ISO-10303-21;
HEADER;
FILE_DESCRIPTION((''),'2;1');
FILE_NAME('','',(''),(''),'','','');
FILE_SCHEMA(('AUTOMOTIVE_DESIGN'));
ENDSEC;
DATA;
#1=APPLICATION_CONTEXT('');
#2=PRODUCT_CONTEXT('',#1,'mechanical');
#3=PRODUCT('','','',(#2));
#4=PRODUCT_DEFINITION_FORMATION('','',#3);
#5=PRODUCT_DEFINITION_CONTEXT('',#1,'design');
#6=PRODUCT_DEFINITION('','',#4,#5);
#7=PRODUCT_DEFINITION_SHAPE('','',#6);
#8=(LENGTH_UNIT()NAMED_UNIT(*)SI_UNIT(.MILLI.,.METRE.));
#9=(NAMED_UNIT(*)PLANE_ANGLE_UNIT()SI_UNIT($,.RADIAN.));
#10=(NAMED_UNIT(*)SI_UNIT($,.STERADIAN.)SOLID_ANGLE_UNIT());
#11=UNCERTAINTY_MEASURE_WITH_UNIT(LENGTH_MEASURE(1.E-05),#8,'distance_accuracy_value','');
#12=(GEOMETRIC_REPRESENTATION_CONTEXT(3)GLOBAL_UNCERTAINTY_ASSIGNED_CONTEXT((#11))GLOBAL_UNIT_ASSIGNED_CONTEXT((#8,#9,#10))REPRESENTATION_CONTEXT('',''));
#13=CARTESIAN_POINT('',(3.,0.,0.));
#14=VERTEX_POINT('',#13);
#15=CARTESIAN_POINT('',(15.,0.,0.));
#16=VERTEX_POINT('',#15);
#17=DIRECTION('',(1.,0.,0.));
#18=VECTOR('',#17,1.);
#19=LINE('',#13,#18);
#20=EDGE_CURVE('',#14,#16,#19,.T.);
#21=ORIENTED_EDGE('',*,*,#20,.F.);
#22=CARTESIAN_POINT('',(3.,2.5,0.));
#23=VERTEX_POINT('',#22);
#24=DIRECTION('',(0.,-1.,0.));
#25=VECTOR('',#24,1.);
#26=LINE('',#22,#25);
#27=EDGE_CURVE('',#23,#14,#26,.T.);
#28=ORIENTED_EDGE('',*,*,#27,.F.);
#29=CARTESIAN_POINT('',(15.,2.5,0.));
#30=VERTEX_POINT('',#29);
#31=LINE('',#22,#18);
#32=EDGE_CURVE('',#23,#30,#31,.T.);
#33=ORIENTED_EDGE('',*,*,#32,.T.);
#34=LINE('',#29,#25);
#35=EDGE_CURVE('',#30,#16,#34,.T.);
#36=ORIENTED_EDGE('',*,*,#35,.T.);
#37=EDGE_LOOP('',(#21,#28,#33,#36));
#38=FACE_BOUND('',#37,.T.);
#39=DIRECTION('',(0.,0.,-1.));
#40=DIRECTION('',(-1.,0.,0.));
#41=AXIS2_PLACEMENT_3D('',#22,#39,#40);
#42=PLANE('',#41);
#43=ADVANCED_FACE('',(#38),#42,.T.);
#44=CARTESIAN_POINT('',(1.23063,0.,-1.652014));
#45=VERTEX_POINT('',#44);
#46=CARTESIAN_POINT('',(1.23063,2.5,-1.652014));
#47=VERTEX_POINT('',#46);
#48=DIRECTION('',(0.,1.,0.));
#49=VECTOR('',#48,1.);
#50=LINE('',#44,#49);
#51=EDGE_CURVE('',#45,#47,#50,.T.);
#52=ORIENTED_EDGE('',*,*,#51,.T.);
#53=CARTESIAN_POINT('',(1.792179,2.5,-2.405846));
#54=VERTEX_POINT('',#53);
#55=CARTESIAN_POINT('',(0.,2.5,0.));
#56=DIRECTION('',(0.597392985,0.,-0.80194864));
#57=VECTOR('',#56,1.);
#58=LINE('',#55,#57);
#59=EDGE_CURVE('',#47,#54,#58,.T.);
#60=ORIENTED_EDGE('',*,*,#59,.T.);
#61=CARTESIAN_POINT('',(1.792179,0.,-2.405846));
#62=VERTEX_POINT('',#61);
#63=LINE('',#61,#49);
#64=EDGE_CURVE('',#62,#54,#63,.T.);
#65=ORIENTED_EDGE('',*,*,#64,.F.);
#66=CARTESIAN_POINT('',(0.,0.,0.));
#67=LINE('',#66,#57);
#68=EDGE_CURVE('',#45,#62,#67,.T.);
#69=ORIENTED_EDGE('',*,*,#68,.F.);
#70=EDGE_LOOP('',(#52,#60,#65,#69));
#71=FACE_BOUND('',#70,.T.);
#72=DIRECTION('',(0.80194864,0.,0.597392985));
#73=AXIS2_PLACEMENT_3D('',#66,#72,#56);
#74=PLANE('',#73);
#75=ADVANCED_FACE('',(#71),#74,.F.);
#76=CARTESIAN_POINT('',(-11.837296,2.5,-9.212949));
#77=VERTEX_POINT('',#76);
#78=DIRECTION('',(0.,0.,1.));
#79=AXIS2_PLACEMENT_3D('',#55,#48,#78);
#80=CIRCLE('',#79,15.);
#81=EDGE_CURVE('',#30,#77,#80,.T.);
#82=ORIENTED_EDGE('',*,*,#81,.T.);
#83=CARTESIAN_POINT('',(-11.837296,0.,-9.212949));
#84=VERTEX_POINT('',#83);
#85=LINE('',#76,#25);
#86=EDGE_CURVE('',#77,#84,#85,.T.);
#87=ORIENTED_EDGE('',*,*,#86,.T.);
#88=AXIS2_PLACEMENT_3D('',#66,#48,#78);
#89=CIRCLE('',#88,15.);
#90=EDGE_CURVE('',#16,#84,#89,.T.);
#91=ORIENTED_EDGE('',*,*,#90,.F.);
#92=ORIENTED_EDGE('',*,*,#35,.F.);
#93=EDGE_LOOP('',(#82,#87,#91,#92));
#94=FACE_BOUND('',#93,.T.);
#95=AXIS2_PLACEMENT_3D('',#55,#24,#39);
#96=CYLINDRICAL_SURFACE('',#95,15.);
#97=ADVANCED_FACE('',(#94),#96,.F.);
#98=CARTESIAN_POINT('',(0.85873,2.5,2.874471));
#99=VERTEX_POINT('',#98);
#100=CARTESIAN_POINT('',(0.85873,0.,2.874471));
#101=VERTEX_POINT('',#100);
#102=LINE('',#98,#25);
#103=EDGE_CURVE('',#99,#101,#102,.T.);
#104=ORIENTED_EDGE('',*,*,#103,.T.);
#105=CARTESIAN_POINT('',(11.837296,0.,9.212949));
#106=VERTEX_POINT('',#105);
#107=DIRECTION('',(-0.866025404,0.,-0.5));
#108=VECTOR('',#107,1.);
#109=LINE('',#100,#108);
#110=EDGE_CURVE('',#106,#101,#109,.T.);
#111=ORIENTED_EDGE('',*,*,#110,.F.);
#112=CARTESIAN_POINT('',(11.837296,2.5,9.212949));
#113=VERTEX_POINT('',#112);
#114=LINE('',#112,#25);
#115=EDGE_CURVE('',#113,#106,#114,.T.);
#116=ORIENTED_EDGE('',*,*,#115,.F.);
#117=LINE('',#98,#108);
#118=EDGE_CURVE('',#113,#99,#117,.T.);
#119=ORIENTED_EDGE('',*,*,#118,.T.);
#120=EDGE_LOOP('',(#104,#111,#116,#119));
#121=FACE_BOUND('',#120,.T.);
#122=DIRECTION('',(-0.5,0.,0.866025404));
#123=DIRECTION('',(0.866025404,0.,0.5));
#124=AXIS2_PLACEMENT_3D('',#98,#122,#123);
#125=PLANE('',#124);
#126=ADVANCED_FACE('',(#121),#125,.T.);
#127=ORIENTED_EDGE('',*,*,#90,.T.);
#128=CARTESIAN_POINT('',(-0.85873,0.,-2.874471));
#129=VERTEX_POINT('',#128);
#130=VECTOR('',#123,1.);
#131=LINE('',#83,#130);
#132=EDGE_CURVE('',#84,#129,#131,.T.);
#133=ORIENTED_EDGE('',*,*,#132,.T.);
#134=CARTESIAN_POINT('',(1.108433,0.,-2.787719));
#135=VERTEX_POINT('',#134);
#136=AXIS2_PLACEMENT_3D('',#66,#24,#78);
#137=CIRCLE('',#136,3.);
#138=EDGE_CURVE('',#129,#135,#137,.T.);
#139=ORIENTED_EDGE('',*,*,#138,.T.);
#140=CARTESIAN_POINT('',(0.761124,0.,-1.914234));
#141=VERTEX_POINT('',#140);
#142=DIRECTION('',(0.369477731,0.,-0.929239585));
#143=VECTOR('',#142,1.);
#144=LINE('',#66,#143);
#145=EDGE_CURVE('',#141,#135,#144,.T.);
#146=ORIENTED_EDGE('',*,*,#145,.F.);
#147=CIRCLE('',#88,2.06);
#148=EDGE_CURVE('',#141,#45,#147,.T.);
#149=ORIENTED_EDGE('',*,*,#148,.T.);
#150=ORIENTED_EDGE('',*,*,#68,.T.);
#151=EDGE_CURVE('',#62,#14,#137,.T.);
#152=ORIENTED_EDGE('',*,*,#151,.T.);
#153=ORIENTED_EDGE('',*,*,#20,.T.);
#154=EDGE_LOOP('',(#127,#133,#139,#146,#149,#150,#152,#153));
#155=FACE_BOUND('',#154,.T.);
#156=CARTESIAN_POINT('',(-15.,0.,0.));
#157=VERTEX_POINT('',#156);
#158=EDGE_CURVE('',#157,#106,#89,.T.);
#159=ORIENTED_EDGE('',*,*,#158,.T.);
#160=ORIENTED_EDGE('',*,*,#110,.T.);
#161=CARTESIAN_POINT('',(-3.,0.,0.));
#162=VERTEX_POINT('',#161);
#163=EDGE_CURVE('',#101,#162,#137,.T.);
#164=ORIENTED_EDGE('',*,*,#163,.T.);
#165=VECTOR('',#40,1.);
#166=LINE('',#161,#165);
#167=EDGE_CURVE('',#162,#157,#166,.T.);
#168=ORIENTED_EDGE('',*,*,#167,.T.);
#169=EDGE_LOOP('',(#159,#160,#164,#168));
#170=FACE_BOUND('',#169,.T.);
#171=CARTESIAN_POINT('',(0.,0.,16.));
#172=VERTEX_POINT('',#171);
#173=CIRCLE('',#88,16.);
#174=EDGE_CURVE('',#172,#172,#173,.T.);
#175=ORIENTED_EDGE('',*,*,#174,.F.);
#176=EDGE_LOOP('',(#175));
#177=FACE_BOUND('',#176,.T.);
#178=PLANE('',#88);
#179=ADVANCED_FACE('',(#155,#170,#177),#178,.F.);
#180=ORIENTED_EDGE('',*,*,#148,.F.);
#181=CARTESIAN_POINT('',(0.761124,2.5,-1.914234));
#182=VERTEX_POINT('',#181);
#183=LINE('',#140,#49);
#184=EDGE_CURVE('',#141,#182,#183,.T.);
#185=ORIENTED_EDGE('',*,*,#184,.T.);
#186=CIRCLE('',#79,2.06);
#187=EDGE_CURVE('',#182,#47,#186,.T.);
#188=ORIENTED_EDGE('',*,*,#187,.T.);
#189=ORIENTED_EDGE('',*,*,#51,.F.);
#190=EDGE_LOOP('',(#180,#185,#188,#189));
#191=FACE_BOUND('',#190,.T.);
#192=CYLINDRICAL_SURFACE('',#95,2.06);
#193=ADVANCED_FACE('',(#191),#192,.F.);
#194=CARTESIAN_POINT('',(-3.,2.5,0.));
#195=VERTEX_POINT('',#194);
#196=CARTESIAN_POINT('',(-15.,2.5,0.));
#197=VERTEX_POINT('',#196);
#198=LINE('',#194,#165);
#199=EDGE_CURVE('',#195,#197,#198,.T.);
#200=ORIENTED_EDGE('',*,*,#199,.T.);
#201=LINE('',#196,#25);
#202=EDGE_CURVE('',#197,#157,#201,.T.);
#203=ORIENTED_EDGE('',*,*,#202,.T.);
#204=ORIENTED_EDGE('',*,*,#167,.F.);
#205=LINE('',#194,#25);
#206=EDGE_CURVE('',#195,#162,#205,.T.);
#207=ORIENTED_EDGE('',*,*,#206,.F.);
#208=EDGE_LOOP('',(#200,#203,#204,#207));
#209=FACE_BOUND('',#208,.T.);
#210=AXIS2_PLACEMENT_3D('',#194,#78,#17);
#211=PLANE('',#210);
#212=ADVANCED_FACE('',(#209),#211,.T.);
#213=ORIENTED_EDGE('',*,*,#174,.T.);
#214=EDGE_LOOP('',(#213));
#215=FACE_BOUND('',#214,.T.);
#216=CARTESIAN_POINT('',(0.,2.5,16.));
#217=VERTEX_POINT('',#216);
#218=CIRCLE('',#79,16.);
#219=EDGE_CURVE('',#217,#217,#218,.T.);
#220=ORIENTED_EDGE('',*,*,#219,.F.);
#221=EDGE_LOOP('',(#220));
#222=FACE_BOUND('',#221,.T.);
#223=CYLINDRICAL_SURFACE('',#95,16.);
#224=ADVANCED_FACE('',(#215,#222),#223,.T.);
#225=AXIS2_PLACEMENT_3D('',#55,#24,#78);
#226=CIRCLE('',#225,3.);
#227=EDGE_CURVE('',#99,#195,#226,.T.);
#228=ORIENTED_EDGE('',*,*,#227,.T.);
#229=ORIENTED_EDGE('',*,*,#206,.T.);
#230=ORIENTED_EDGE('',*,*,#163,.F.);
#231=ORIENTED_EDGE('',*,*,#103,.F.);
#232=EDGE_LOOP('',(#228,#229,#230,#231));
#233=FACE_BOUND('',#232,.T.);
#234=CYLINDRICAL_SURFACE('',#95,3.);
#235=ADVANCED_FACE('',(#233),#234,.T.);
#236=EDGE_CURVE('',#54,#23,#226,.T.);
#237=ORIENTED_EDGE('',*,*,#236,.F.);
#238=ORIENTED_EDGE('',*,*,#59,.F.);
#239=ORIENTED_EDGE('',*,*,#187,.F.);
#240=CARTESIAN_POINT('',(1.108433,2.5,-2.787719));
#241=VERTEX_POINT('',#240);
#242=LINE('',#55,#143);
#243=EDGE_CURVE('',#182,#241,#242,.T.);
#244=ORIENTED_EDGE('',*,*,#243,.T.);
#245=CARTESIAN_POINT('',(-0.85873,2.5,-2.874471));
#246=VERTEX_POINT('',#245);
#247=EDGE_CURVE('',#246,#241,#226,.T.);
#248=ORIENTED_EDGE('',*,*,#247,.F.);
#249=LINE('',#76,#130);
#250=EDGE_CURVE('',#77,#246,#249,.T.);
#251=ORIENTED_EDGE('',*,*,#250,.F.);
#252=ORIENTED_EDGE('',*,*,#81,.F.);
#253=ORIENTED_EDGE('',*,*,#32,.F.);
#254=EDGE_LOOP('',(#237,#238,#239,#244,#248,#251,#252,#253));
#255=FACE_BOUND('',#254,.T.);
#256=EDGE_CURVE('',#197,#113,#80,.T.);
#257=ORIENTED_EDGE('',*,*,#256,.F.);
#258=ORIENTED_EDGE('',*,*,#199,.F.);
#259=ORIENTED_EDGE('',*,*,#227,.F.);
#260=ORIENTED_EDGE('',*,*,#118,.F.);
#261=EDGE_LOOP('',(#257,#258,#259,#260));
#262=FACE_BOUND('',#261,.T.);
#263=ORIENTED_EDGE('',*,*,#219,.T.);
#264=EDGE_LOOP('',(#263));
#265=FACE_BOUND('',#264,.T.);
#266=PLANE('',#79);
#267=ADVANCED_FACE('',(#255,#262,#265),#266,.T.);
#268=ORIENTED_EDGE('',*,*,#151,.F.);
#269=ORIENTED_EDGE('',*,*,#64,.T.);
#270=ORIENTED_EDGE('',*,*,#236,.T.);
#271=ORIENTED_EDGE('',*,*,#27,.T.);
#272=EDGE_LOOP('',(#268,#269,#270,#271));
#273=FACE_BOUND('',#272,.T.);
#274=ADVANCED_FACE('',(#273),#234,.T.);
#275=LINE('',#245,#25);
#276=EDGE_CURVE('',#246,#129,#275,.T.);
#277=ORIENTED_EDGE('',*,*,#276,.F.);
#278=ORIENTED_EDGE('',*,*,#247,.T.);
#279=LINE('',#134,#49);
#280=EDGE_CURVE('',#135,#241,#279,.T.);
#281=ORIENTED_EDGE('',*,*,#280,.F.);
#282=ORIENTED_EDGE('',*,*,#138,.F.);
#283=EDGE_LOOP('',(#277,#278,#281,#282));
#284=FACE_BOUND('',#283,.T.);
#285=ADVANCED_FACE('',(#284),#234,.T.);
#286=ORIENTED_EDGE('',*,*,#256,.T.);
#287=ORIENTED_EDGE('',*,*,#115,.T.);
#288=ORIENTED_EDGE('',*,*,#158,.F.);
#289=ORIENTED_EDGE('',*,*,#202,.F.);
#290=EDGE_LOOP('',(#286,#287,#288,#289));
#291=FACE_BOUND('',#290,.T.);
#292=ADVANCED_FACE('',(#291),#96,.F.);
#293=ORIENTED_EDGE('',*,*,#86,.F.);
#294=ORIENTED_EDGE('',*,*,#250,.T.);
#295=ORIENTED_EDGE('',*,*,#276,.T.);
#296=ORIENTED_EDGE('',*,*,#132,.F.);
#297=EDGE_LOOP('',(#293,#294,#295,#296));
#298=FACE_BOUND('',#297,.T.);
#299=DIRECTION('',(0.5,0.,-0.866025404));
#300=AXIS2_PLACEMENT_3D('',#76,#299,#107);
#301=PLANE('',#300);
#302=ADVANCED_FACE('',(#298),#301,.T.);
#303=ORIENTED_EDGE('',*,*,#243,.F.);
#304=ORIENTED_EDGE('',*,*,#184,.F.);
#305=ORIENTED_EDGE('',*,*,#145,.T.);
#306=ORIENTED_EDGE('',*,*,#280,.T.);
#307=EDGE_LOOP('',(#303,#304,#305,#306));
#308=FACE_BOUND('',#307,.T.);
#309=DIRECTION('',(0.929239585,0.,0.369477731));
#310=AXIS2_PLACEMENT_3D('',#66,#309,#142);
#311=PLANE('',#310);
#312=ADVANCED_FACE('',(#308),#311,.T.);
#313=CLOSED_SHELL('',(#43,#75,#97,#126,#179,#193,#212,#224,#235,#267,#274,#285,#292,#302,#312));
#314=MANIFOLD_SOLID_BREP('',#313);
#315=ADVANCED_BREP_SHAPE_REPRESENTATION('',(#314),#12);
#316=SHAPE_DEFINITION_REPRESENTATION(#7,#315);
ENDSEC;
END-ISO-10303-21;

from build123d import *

# Parameters (mm, degrees)
SKETCH1_R           = 16
SKETCH1_R_2         = 2.06
BOSS_EXTRUDE1_DEPTH = 2.5
CUT_EXTRUDE1_DEPTH  = 23.765104876


with BuildPart() as part:
    # Sketch1 → Boss-Extrude1 (new body)
    with BuildSketch(Plane(origin=(0, 0, 0), x_dir=(1, 0, 0), z_dir=(0, 1, 0))):
        with Locations(Location((0, 0, 0), (0, 0, 270))):
            Circle(SKETCH1_R)
        with Locations(Location((0, 0, 0), (0, 0, 270))):
            Circle(SKETCH1_R_2, mode=Mode.SUBTRACT)
        with BuildLine():
            Line((-3, 0), (-15, 0))
            ThreePointArc((-15, 0), (-4.8703472, -14.187308348), (11.837295753, -9.212948999))
            Line((11.837295753, -9.212948999), (0.858729732, -2.874470951))
            ThreePointArc((0.858729732, -2.874470951), (-1.792178954, -2.405845921), (-3, 0))
        make_face(mode=Mode.SUBTRACT)
        with BuildLine():
            Line((-11.837295753, 9.212948999), (-0.858729732, 2.874470951))
            ThreePointArc((-0.858729732, 2.874470951), (1.792178954, 2.405845921), (3, 0))
            Line((3, 0), (15, 0))
            ThreePointArc((15, 0), (4.8703472, 14.187308348), (-11.837295753, 9.212948999))
        make_face(mode=Mode.SUBTRACT)
    extrude(amount=BOSS_EXTRUDE1_DEPTH)

    # Sketch2 → Cut-Extrude1 (cut, through all)
    with BuildSketch(Plane(origin=(0, 2.5, 0), x_dir=(1, 0, 0), z_dir=(0, 1, 0))):
        with BuildLine():
            Line((1.108433193, 2.787718755), (0.761124126, 1.914233545))
            ThreePointArc((0.761124126, 1.914233545), (1.004470219, 1.798510378), (1.230629548, 1.652014199))
            Line((1.230629548, 1.652014199), (1.792178954, 2.405845921))
            ThreePointArc((1.792178954, 2.405845921), (1.462820707, 2.619189871), (1.108433193, 2.787718755))
        make_face()
    extrude(amount=-CUT_EXTRUDE1_DEPTH, mode=Mode.SUBTRACT)


solid = part.part
